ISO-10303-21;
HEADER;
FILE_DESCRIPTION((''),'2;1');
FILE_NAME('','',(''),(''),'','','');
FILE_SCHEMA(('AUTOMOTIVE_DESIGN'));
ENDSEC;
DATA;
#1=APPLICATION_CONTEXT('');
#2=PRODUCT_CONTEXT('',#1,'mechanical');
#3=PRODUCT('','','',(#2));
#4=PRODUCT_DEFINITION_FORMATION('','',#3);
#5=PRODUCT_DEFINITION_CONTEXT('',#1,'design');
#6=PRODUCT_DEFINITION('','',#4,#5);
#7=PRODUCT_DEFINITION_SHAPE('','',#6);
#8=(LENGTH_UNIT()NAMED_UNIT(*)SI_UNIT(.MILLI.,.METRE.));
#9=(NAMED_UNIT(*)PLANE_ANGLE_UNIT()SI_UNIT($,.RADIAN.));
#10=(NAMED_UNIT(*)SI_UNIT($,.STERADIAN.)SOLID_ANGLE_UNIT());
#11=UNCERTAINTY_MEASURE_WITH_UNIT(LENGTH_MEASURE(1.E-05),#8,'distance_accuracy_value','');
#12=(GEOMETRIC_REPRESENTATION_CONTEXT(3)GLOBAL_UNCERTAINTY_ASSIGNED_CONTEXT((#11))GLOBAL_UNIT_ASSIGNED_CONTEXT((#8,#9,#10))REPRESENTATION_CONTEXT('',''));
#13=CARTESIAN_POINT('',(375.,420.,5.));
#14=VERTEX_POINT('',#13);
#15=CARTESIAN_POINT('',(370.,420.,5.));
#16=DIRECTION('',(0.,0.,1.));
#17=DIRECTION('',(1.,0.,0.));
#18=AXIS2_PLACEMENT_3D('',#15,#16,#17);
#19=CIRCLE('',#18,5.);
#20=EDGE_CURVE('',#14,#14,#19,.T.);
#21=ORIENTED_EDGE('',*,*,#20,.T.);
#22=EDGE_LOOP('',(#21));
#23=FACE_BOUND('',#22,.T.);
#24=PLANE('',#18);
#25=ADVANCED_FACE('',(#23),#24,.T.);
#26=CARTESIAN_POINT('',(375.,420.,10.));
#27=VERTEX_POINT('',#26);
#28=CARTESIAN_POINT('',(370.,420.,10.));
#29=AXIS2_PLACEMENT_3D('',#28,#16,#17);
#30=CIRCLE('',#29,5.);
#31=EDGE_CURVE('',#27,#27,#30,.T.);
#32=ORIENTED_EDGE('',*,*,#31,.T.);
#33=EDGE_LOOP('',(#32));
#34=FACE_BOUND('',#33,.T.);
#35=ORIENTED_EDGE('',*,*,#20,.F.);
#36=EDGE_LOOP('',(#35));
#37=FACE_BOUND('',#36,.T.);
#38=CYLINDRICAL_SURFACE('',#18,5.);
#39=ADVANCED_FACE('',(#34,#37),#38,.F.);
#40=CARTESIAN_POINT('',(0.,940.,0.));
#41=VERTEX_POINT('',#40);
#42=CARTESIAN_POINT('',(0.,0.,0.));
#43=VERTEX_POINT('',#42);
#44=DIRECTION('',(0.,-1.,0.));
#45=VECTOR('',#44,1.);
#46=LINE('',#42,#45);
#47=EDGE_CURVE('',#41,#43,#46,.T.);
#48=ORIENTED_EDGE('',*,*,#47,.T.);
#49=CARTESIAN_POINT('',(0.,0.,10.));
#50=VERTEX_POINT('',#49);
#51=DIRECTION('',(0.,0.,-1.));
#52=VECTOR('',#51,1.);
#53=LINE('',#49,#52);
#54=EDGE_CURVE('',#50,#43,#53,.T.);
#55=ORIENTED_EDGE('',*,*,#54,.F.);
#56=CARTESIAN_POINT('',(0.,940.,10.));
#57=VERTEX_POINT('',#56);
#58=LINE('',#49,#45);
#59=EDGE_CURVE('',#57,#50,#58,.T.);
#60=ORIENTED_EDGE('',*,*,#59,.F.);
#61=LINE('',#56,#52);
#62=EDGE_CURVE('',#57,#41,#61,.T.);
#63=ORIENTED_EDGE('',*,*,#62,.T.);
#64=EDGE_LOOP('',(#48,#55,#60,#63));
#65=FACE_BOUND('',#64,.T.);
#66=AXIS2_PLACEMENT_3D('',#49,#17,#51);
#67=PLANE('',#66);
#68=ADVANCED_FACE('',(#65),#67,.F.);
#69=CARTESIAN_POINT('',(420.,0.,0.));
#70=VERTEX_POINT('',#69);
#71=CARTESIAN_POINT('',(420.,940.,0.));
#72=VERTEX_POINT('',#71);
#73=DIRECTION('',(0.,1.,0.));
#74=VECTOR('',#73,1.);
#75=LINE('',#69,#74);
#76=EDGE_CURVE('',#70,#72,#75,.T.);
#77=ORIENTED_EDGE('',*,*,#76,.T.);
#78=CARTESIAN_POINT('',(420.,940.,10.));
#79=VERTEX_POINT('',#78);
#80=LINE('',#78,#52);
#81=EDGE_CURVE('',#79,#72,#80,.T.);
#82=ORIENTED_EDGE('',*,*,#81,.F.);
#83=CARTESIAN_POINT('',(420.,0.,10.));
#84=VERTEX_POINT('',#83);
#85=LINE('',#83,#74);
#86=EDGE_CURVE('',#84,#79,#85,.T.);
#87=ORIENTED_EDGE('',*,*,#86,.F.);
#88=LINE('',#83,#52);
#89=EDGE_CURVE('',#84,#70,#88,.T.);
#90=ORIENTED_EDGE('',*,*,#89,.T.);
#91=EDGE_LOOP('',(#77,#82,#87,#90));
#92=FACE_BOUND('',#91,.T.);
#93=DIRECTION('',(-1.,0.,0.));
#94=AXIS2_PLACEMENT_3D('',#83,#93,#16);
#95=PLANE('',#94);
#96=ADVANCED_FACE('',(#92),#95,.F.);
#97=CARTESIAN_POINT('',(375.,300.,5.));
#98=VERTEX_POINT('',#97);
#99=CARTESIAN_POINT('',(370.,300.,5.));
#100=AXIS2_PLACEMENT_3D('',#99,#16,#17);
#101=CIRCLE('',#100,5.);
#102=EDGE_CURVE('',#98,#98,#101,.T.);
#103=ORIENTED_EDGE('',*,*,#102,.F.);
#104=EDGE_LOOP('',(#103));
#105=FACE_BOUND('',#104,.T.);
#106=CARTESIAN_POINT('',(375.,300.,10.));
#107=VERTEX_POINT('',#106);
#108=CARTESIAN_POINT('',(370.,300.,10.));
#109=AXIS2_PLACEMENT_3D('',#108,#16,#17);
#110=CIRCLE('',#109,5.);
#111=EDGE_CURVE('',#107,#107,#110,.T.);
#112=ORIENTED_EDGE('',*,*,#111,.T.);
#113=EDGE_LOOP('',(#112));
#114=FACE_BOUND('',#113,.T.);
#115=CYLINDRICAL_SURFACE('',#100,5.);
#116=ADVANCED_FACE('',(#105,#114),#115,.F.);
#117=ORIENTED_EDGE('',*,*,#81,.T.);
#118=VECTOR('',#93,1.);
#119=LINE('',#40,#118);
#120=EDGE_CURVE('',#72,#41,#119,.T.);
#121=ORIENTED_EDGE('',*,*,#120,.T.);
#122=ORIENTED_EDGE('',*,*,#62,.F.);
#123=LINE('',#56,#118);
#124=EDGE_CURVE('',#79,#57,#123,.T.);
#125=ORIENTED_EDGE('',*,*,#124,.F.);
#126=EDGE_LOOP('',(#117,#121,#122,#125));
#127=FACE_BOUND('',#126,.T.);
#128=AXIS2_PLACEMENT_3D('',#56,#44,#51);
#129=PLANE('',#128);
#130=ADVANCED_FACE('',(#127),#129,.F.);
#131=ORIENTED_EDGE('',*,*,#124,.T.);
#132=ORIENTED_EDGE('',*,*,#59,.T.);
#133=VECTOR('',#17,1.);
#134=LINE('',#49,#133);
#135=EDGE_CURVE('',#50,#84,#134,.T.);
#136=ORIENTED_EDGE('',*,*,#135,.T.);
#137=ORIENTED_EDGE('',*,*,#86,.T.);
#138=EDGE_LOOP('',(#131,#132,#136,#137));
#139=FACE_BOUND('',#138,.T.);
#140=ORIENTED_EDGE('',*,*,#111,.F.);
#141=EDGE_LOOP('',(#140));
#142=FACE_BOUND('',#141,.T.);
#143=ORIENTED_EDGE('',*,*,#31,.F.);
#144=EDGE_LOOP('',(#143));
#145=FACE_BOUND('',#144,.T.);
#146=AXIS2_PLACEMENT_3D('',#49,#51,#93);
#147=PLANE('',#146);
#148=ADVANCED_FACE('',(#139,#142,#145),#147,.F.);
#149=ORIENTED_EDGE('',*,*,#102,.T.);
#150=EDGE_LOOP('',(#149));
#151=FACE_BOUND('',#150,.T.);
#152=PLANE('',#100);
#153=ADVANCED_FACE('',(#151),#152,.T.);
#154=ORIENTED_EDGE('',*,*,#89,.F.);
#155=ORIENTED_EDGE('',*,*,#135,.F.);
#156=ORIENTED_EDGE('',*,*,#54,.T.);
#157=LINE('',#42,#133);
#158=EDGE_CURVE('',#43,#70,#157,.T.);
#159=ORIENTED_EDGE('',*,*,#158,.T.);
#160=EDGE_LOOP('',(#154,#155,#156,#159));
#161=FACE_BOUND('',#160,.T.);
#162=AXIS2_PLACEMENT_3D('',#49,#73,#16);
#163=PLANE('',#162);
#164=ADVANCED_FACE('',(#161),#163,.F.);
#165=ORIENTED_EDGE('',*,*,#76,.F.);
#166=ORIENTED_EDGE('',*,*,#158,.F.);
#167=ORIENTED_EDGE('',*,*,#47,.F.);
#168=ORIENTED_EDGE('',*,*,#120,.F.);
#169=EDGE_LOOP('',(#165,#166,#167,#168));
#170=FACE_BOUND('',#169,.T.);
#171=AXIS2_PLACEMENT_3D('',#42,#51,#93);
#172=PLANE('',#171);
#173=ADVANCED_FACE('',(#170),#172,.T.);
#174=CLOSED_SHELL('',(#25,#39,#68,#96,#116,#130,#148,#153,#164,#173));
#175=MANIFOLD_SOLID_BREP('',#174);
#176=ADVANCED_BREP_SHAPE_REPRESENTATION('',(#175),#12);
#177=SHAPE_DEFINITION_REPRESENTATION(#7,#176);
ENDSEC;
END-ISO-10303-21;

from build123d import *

# Parameters (mm, degrees)
SKETCH_1_W          = 420
SKETCH_1_H          = 940
EXTRUDE_1_DEPTH     = 10
SKETCH_2_R          = 5
CUT_EXTRUDE_1_DEPTH = 5


with BuildPart() as part:
    # Эскиз1 → Бобышка-Вытянуть1 (new body)
    with BuildSketch(Plane.XY):
        with Locations((210, 470)):
            Rectangle(SKETCH_1_W, SKETCH_1_H)
    extrude(amount=EXTRUDE_1_DEPTH)

    # Эскиз2 → Вырез-Вытянуть1 (cut)
    with BuildSketch(Plane.XY.offset(10)):
        with Locations((370, 420)):
            Circle(SKETCH_2_R)
        with Locations((370, 300)):
            Circle(SKETCH_2_R)
    extrude(amount=-CUT_EXTRUDE_1_DEPTH, mode=Mode.SUBTRACT)


solid = part.part
